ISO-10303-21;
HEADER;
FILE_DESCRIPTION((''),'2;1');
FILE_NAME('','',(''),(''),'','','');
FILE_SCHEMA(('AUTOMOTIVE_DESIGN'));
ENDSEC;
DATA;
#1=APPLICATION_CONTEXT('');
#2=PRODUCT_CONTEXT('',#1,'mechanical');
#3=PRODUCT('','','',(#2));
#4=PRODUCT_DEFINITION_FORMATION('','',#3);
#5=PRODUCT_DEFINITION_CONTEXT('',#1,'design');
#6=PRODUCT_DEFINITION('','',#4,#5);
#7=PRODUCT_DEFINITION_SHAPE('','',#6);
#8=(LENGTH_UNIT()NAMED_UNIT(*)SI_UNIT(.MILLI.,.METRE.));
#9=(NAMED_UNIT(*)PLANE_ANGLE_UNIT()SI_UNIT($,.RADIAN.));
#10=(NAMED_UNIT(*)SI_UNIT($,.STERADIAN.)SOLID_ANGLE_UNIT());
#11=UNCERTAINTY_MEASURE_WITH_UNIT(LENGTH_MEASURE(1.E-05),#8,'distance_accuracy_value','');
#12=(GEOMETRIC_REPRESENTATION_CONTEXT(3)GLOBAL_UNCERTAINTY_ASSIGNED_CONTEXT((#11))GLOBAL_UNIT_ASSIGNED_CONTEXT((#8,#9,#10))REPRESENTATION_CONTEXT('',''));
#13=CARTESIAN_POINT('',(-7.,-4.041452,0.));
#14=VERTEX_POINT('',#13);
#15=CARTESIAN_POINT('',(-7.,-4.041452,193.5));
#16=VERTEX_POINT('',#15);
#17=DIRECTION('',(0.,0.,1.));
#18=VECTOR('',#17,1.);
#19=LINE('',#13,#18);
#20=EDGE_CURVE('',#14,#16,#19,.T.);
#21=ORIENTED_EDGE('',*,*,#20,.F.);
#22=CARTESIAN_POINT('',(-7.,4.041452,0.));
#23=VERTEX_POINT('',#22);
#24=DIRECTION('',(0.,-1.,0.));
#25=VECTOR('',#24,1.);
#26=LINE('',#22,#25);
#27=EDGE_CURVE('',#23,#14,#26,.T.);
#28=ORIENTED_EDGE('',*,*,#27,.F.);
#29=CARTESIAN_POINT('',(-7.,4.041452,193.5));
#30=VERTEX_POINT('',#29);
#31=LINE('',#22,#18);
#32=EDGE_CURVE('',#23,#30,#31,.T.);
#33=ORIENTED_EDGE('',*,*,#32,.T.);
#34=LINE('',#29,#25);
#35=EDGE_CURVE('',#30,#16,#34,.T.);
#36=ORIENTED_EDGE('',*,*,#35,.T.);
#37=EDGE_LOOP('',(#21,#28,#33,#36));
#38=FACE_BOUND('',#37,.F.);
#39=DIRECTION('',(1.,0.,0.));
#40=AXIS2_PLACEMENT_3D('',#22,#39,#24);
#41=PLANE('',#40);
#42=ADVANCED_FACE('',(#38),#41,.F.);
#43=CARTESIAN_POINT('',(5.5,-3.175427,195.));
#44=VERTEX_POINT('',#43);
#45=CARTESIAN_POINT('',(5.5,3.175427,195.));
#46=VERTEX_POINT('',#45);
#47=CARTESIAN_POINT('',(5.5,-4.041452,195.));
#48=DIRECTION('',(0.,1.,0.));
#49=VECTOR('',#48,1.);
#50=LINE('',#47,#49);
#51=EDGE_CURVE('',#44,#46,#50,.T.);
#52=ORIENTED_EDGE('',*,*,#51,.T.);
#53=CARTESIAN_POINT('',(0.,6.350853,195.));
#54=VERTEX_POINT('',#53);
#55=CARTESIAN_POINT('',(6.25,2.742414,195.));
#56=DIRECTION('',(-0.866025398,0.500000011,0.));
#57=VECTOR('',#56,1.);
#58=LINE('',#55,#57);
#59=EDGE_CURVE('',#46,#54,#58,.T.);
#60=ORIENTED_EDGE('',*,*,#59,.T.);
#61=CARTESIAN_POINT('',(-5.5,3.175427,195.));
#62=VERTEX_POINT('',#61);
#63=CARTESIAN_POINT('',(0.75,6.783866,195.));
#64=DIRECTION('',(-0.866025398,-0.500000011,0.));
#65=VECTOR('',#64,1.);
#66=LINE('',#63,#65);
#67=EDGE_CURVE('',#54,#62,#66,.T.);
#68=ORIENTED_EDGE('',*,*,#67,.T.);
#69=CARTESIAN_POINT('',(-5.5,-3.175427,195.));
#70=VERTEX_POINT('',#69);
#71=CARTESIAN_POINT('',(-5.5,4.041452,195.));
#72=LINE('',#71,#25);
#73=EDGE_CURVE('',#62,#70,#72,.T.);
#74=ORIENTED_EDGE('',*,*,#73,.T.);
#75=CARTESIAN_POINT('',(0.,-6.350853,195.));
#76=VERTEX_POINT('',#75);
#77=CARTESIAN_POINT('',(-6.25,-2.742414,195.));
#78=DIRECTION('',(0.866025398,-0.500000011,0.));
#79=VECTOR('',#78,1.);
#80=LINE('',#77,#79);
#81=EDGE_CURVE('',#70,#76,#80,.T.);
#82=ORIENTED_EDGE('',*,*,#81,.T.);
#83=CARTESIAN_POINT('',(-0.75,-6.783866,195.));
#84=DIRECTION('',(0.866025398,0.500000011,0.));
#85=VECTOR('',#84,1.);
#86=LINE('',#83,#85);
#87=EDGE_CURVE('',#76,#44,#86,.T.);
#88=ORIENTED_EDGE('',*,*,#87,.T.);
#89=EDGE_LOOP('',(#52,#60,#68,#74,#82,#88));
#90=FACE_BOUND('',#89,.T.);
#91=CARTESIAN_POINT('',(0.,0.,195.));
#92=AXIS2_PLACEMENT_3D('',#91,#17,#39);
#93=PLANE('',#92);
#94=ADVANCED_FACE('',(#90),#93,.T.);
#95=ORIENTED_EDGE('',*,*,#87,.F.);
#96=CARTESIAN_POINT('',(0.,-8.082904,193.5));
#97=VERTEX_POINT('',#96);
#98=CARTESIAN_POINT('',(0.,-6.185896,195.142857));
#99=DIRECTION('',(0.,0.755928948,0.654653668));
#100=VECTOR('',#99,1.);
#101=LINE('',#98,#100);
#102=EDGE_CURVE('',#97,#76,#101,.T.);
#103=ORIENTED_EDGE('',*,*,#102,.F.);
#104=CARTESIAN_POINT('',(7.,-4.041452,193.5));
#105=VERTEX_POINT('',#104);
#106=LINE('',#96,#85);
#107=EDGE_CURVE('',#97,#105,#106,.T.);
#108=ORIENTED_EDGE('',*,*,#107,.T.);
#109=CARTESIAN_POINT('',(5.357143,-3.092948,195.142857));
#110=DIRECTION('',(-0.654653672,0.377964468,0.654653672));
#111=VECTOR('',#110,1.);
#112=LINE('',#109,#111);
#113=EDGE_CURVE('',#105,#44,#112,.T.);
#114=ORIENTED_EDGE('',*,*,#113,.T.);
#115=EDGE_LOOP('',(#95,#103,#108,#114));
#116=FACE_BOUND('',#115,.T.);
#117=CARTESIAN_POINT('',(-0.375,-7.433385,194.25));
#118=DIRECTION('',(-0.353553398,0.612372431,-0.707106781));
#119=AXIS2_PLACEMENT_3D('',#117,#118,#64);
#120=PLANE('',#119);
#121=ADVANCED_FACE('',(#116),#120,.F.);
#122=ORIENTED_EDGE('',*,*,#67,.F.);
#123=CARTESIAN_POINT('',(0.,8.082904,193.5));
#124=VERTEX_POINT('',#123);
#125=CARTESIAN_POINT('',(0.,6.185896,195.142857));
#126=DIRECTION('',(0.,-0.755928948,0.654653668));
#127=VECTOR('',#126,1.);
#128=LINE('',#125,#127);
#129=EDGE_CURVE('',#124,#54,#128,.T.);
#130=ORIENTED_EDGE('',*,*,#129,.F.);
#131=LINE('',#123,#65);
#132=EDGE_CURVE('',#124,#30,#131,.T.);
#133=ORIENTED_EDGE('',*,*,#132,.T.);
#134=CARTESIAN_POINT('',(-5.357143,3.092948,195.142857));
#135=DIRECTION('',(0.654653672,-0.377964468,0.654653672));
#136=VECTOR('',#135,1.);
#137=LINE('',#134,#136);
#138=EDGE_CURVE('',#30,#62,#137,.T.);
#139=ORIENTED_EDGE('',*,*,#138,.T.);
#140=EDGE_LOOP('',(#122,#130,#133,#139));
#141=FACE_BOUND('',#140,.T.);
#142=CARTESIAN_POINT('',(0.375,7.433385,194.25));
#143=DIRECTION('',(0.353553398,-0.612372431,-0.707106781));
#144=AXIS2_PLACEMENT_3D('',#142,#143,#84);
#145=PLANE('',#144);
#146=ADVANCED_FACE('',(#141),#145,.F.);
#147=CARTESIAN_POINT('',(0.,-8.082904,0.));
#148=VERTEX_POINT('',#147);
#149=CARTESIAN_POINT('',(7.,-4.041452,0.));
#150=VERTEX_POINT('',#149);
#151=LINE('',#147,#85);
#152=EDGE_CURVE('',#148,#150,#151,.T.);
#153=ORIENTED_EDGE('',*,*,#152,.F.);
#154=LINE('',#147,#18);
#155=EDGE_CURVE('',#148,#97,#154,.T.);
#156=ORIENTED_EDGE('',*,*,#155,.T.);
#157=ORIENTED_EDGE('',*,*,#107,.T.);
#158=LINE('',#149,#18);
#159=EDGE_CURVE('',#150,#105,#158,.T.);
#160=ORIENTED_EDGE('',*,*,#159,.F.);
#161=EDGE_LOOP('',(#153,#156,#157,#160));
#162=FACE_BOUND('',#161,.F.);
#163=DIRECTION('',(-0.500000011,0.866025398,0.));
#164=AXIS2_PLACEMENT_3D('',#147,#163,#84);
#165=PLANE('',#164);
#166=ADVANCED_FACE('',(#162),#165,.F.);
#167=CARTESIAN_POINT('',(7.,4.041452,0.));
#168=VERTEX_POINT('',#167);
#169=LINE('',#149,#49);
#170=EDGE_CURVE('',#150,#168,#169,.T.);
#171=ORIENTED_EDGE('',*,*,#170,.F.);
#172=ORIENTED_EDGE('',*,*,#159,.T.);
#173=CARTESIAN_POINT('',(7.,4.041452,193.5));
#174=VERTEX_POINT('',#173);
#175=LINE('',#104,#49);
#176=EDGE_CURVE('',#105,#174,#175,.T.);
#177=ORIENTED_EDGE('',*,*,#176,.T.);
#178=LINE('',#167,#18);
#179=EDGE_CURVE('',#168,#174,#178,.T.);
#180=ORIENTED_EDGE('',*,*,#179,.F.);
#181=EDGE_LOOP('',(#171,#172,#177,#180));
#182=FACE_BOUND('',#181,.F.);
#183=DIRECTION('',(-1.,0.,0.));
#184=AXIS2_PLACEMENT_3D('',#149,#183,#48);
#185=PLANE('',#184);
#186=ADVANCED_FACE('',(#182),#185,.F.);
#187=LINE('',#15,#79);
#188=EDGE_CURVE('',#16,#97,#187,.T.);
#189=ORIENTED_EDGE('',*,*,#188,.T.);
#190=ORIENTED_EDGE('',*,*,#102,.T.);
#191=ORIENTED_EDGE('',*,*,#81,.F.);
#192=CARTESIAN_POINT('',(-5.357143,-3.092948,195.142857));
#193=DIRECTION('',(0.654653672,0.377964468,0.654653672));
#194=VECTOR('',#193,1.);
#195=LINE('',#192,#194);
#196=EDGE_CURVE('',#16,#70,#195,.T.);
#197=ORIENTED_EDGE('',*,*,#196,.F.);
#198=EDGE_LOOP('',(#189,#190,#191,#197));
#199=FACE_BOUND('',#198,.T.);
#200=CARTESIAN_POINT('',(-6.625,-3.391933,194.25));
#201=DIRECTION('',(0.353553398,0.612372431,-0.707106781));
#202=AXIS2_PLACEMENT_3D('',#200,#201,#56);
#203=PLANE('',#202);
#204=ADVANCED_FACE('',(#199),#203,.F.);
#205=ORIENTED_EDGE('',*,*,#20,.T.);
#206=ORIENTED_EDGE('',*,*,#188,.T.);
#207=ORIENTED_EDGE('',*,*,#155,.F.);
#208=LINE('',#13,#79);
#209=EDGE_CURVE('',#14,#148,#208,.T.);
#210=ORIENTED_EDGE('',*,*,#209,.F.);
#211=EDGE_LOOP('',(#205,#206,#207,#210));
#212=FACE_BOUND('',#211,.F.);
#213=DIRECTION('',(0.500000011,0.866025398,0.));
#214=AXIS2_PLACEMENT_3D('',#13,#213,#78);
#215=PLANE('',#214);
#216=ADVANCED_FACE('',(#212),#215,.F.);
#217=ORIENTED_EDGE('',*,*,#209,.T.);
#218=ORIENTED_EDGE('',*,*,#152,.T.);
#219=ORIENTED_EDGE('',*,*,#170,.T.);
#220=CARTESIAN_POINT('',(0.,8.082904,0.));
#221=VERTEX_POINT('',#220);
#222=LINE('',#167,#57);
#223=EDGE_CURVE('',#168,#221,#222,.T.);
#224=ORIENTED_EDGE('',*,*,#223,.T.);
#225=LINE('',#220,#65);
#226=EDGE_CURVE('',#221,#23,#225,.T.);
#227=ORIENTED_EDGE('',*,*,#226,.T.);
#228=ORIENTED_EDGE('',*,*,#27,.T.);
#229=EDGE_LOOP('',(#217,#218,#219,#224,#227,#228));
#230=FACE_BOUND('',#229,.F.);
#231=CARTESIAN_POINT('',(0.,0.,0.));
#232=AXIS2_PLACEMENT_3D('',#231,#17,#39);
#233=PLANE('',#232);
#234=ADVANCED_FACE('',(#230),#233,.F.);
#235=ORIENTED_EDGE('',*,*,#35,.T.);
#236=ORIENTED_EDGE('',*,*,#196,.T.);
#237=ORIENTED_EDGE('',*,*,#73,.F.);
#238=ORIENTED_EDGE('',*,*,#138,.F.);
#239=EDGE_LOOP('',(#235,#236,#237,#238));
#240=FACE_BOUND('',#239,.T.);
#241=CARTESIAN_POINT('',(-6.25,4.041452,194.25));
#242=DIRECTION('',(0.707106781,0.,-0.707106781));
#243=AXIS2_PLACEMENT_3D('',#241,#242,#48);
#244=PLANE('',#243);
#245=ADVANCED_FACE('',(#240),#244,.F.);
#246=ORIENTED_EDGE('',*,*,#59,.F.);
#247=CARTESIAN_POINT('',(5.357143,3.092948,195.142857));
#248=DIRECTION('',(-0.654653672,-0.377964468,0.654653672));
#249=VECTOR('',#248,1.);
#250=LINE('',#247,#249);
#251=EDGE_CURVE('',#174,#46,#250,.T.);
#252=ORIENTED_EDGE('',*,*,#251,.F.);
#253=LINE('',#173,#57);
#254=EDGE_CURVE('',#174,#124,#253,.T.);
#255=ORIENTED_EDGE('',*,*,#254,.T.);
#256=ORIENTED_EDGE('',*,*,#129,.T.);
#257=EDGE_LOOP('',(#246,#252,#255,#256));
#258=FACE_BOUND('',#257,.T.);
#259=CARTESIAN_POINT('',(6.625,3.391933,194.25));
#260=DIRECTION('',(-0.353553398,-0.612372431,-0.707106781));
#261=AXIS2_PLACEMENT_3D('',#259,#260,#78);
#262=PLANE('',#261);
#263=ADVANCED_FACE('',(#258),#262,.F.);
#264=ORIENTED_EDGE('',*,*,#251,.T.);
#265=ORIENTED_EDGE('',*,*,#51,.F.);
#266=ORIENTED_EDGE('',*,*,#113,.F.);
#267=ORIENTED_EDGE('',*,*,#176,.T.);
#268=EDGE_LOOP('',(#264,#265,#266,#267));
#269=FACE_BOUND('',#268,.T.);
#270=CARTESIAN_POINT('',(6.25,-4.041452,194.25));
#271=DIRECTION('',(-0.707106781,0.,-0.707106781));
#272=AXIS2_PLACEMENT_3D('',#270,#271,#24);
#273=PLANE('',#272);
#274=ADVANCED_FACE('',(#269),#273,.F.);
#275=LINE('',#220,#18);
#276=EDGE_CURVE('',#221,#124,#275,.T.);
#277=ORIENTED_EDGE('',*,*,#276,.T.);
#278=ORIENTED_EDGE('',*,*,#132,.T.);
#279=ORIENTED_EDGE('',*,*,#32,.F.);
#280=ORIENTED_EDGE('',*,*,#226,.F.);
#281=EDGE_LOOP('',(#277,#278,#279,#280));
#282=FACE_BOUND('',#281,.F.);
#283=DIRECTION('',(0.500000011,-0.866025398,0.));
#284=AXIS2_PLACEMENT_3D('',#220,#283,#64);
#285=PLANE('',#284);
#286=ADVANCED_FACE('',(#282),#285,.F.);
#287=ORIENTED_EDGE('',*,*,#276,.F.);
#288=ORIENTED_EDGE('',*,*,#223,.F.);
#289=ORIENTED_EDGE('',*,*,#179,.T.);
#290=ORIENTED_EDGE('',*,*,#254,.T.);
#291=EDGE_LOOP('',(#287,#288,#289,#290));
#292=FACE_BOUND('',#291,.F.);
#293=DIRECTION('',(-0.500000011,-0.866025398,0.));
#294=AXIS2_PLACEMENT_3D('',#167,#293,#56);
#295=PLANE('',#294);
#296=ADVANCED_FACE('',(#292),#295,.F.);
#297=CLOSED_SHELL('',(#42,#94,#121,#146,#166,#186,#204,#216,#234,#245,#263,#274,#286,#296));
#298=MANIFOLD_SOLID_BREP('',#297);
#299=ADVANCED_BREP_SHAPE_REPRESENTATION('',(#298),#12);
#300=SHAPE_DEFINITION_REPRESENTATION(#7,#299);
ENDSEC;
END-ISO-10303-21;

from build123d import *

# Parameters (mm, degrees)
F1_DEPTH = 195
F2_SIZE  = 1.5


with BuildPart() as f1:
    # F0 (on Top) → F1 (new body)
    with BuildSketch(Plane.XY):
        Polygon((7, -4.041452), (7, 4.041452), (0, 8.082904), (-7, 4.041452), (-7, -4.041452), (0, -8.082904), align=None)
    extrude(amount=F1_DEPTH)

    # F2
    f2_edges = [f1.edges().sort_by_distance(p)[0] for p in [
        (-3.5, -6.062178, 195),
        (3.5, -6.062178, 195),
        (7, 0, 195),
        (3.5, 6.062178, 195),
        (-3.5, 6.062178, 195),
        (-7, 0, 195),
    ]]
    chamfer(f2_edges, length=F2_SIZE)


solid = f1.part
